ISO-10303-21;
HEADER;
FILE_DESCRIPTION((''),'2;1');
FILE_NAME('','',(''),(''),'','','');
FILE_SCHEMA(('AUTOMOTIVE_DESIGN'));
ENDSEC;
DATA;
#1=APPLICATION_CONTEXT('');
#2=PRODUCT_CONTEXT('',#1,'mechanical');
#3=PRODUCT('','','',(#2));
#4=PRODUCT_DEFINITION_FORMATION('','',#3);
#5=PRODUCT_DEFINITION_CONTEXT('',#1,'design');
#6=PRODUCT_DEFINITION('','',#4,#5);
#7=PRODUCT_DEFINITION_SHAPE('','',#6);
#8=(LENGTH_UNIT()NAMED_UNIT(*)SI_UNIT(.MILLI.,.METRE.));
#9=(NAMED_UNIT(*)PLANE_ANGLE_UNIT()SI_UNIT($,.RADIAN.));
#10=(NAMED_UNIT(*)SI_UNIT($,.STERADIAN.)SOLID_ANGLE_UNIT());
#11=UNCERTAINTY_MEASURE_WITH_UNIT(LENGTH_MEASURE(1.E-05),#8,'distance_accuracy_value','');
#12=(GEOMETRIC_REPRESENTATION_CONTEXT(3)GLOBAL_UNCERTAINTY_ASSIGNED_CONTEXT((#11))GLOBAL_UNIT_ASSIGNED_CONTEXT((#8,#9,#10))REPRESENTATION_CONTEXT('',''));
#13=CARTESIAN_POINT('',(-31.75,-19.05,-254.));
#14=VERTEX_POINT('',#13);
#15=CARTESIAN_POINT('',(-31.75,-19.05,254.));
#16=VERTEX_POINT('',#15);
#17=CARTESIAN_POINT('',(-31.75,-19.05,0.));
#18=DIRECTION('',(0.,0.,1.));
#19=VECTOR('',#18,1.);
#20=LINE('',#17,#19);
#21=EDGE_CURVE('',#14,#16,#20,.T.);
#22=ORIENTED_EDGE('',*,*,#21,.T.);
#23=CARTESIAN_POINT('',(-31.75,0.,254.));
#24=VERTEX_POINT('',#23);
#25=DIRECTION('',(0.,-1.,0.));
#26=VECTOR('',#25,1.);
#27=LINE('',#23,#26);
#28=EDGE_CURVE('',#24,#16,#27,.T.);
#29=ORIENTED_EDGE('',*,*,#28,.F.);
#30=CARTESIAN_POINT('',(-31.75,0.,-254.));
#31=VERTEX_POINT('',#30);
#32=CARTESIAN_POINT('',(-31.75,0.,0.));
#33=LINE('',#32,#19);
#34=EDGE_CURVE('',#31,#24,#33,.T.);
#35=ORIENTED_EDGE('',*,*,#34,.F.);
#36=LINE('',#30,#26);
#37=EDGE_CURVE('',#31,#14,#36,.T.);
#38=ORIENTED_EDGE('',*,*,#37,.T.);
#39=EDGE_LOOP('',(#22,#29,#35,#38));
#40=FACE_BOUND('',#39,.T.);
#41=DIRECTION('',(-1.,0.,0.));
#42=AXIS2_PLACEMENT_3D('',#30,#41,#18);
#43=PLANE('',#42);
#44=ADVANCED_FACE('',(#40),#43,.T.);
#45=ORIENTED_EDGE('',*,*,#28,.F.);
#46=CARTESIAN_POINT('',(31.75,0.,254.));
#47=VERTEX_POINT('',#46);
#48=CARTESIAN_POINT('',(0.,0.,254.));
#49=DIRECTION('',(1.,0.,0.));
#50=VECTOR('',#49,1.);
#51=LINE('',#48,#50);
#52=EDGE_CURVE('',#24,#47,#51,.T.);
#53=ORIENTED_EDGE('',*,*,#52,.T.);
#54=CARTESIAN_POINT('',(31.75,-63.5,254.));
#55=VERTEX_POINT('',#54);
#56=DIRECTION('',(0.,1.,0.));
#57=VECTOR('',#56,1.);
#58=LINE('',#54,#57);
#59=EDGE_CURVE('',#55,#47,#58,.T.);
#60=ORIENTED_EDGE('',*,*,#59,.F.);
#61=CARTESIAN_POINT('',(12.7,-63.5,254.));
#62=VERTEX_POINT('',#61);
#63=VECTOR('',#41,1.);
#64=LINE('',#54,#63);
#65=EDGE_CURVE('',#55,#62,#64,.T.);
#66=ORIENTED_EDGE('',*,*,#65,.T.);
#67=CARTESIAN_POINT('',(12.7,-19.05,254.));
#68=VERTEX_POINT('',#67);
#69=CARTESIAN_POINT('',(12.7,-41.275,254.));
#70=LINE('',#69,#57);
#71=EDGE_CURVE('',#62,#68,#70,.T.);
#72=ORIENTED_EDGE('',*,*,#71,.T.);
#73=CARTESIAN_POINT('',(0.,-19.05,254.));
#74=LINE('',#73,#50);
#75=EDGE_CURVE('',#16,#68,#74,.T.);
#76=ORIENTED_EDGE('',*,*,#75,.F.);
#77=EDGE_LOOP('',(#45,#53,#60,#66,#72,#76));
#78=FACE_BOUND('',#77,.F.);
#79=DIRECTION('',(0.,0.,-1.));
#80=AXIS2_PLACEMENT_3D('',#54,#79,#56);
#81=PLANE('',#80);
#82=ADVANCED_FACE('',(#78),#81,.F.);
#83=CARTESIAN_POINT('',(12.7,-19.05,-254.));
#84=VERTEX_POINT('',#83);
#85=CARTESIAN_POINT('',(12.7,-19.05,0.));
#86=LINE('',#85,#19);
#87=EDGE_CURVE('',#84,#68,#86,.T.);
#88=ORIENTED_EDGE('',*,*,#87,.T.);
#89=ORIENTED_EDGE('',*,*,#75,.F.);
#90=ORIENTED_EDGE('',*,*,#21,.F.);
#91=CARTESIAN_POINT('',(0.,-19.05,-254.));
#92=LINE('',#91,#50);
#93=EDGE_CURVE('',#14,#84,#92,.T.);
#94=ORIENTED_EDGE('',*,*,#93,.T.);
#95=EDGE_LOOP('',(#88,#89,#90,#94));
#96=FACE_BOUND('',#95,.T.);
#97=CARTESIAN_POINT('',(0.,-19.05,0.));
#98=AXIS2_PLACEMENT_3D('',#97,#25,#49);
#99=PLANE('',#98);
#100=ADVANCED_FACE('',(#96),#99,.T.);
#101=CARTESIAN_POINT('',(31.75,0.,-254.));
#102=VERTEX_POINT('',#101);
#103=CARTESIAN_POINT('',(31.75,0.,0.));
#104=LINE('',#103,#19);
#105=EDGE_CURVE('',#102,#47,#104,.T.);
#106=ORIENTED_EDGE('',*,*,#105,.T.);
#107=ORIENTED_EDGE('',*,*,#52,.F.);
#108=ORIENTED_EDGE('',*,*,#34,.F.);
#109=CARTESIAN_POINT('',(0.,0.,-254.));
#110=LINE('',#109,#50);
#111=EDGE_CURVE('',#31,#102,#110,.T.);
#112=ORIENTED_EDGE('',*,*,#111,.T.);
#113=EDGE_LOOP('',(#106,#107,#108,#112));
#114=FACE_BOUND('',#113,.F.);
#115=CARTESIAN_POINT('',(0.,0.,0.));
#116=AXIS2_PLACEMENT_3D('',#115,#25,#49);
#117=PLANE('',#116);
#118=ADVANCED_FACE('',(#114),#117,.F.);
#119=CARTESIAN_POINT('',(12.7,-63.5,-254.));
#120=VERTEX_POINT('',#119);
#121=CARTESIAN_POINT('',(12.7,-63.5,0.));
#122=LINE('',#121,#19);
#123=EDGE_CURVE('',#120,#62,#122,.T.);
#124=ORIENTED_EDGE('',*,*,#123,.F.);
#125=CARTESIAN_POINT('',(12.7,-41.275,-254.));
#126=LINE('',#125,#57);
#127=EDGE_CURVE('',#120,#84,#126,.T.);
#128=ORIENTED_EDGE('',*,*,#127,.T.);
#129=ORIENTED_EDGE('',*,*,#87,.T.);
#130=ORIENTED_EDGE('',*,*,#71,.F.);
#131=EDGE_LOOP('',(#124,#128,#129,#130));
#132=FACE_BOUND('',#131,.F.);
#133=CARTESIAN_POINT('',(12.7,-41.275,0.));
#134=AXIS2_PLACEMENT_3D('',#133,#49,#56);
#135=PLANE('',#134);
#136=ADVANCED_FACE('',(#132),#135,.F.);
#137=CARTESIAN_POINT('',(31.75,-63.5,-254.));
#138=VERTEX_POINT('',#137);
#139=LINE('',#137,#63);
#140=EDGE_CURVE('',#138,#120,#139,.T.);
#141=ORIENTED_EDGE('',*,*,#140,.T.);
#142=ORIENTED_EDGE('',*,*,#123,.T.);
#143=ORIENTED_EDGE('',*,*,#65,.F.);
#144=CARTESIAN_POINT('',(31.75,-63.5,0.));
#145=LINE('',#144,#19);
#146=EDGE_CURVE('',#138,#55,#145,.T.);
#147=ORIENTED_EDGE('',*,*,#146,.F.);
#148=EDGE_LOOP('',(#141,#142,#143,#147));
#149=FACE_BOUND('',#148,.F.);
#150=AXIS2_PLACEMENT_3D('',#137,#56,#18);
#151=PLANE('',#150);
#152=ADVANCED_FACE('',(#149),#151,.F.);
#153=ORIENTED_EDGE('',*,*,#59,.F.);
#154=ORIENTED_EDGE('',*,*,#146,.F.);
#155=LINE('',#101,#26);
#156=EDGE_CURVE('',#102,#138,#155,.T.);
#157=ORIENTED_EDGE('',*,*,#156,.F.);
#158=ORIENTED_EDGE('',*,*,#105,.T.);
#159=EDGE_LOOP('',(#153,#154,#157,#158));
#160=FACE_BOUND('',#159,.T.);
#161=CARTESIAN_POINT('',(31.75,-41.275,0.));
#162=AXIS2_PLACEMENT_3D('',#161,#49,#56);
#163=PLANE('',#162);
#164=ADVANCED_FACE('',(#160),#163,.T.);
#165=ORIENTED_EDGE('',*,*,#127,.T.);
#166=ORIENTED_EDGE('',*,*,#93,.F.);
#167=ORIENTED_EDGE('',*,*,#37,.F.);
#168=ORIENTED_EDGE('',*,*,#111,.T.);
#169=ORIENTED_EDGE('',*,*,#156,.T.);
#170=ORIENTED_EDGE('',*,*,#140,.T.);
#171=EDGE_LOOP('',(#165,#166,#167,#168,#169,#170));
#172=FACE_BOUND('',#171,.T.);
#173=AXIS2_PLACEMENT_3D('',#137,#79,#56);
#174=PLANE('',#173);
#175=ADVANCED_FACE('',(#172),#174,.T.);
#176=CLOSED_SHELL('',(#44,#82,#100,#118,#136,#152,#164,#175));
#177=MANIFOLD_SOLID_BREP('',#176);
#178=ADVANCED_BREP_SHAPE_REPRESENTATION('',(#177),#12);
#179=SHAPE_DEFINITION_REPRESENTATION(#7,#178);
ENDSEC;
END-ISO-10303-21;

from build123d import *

# Parameters (mm, degrees)
F0_W     = 63.5
F0_H     = 508
F1_DEPTH = 19.05
F2_W     = 44.45
F2_H     = 508
F3_DEPTH = 19.05


with BuildPart() as f1:
    # F0 (on Front) → F1 (new body)
    with BuildSketch(Plane.XZ):
        Rectangle(F0_W, F0_H)
    extrude(amount=F1_DEPTH)

    # F2 (on face) → F3 (join)
    with BuildSketch(Plane.YZ.offset(31.75)):
        with Locations((-41.275, 0)):
            Rectangle(F2_W, F2_H)
    extrude(amount=-F3_DEPTH)


solid = f1.part
